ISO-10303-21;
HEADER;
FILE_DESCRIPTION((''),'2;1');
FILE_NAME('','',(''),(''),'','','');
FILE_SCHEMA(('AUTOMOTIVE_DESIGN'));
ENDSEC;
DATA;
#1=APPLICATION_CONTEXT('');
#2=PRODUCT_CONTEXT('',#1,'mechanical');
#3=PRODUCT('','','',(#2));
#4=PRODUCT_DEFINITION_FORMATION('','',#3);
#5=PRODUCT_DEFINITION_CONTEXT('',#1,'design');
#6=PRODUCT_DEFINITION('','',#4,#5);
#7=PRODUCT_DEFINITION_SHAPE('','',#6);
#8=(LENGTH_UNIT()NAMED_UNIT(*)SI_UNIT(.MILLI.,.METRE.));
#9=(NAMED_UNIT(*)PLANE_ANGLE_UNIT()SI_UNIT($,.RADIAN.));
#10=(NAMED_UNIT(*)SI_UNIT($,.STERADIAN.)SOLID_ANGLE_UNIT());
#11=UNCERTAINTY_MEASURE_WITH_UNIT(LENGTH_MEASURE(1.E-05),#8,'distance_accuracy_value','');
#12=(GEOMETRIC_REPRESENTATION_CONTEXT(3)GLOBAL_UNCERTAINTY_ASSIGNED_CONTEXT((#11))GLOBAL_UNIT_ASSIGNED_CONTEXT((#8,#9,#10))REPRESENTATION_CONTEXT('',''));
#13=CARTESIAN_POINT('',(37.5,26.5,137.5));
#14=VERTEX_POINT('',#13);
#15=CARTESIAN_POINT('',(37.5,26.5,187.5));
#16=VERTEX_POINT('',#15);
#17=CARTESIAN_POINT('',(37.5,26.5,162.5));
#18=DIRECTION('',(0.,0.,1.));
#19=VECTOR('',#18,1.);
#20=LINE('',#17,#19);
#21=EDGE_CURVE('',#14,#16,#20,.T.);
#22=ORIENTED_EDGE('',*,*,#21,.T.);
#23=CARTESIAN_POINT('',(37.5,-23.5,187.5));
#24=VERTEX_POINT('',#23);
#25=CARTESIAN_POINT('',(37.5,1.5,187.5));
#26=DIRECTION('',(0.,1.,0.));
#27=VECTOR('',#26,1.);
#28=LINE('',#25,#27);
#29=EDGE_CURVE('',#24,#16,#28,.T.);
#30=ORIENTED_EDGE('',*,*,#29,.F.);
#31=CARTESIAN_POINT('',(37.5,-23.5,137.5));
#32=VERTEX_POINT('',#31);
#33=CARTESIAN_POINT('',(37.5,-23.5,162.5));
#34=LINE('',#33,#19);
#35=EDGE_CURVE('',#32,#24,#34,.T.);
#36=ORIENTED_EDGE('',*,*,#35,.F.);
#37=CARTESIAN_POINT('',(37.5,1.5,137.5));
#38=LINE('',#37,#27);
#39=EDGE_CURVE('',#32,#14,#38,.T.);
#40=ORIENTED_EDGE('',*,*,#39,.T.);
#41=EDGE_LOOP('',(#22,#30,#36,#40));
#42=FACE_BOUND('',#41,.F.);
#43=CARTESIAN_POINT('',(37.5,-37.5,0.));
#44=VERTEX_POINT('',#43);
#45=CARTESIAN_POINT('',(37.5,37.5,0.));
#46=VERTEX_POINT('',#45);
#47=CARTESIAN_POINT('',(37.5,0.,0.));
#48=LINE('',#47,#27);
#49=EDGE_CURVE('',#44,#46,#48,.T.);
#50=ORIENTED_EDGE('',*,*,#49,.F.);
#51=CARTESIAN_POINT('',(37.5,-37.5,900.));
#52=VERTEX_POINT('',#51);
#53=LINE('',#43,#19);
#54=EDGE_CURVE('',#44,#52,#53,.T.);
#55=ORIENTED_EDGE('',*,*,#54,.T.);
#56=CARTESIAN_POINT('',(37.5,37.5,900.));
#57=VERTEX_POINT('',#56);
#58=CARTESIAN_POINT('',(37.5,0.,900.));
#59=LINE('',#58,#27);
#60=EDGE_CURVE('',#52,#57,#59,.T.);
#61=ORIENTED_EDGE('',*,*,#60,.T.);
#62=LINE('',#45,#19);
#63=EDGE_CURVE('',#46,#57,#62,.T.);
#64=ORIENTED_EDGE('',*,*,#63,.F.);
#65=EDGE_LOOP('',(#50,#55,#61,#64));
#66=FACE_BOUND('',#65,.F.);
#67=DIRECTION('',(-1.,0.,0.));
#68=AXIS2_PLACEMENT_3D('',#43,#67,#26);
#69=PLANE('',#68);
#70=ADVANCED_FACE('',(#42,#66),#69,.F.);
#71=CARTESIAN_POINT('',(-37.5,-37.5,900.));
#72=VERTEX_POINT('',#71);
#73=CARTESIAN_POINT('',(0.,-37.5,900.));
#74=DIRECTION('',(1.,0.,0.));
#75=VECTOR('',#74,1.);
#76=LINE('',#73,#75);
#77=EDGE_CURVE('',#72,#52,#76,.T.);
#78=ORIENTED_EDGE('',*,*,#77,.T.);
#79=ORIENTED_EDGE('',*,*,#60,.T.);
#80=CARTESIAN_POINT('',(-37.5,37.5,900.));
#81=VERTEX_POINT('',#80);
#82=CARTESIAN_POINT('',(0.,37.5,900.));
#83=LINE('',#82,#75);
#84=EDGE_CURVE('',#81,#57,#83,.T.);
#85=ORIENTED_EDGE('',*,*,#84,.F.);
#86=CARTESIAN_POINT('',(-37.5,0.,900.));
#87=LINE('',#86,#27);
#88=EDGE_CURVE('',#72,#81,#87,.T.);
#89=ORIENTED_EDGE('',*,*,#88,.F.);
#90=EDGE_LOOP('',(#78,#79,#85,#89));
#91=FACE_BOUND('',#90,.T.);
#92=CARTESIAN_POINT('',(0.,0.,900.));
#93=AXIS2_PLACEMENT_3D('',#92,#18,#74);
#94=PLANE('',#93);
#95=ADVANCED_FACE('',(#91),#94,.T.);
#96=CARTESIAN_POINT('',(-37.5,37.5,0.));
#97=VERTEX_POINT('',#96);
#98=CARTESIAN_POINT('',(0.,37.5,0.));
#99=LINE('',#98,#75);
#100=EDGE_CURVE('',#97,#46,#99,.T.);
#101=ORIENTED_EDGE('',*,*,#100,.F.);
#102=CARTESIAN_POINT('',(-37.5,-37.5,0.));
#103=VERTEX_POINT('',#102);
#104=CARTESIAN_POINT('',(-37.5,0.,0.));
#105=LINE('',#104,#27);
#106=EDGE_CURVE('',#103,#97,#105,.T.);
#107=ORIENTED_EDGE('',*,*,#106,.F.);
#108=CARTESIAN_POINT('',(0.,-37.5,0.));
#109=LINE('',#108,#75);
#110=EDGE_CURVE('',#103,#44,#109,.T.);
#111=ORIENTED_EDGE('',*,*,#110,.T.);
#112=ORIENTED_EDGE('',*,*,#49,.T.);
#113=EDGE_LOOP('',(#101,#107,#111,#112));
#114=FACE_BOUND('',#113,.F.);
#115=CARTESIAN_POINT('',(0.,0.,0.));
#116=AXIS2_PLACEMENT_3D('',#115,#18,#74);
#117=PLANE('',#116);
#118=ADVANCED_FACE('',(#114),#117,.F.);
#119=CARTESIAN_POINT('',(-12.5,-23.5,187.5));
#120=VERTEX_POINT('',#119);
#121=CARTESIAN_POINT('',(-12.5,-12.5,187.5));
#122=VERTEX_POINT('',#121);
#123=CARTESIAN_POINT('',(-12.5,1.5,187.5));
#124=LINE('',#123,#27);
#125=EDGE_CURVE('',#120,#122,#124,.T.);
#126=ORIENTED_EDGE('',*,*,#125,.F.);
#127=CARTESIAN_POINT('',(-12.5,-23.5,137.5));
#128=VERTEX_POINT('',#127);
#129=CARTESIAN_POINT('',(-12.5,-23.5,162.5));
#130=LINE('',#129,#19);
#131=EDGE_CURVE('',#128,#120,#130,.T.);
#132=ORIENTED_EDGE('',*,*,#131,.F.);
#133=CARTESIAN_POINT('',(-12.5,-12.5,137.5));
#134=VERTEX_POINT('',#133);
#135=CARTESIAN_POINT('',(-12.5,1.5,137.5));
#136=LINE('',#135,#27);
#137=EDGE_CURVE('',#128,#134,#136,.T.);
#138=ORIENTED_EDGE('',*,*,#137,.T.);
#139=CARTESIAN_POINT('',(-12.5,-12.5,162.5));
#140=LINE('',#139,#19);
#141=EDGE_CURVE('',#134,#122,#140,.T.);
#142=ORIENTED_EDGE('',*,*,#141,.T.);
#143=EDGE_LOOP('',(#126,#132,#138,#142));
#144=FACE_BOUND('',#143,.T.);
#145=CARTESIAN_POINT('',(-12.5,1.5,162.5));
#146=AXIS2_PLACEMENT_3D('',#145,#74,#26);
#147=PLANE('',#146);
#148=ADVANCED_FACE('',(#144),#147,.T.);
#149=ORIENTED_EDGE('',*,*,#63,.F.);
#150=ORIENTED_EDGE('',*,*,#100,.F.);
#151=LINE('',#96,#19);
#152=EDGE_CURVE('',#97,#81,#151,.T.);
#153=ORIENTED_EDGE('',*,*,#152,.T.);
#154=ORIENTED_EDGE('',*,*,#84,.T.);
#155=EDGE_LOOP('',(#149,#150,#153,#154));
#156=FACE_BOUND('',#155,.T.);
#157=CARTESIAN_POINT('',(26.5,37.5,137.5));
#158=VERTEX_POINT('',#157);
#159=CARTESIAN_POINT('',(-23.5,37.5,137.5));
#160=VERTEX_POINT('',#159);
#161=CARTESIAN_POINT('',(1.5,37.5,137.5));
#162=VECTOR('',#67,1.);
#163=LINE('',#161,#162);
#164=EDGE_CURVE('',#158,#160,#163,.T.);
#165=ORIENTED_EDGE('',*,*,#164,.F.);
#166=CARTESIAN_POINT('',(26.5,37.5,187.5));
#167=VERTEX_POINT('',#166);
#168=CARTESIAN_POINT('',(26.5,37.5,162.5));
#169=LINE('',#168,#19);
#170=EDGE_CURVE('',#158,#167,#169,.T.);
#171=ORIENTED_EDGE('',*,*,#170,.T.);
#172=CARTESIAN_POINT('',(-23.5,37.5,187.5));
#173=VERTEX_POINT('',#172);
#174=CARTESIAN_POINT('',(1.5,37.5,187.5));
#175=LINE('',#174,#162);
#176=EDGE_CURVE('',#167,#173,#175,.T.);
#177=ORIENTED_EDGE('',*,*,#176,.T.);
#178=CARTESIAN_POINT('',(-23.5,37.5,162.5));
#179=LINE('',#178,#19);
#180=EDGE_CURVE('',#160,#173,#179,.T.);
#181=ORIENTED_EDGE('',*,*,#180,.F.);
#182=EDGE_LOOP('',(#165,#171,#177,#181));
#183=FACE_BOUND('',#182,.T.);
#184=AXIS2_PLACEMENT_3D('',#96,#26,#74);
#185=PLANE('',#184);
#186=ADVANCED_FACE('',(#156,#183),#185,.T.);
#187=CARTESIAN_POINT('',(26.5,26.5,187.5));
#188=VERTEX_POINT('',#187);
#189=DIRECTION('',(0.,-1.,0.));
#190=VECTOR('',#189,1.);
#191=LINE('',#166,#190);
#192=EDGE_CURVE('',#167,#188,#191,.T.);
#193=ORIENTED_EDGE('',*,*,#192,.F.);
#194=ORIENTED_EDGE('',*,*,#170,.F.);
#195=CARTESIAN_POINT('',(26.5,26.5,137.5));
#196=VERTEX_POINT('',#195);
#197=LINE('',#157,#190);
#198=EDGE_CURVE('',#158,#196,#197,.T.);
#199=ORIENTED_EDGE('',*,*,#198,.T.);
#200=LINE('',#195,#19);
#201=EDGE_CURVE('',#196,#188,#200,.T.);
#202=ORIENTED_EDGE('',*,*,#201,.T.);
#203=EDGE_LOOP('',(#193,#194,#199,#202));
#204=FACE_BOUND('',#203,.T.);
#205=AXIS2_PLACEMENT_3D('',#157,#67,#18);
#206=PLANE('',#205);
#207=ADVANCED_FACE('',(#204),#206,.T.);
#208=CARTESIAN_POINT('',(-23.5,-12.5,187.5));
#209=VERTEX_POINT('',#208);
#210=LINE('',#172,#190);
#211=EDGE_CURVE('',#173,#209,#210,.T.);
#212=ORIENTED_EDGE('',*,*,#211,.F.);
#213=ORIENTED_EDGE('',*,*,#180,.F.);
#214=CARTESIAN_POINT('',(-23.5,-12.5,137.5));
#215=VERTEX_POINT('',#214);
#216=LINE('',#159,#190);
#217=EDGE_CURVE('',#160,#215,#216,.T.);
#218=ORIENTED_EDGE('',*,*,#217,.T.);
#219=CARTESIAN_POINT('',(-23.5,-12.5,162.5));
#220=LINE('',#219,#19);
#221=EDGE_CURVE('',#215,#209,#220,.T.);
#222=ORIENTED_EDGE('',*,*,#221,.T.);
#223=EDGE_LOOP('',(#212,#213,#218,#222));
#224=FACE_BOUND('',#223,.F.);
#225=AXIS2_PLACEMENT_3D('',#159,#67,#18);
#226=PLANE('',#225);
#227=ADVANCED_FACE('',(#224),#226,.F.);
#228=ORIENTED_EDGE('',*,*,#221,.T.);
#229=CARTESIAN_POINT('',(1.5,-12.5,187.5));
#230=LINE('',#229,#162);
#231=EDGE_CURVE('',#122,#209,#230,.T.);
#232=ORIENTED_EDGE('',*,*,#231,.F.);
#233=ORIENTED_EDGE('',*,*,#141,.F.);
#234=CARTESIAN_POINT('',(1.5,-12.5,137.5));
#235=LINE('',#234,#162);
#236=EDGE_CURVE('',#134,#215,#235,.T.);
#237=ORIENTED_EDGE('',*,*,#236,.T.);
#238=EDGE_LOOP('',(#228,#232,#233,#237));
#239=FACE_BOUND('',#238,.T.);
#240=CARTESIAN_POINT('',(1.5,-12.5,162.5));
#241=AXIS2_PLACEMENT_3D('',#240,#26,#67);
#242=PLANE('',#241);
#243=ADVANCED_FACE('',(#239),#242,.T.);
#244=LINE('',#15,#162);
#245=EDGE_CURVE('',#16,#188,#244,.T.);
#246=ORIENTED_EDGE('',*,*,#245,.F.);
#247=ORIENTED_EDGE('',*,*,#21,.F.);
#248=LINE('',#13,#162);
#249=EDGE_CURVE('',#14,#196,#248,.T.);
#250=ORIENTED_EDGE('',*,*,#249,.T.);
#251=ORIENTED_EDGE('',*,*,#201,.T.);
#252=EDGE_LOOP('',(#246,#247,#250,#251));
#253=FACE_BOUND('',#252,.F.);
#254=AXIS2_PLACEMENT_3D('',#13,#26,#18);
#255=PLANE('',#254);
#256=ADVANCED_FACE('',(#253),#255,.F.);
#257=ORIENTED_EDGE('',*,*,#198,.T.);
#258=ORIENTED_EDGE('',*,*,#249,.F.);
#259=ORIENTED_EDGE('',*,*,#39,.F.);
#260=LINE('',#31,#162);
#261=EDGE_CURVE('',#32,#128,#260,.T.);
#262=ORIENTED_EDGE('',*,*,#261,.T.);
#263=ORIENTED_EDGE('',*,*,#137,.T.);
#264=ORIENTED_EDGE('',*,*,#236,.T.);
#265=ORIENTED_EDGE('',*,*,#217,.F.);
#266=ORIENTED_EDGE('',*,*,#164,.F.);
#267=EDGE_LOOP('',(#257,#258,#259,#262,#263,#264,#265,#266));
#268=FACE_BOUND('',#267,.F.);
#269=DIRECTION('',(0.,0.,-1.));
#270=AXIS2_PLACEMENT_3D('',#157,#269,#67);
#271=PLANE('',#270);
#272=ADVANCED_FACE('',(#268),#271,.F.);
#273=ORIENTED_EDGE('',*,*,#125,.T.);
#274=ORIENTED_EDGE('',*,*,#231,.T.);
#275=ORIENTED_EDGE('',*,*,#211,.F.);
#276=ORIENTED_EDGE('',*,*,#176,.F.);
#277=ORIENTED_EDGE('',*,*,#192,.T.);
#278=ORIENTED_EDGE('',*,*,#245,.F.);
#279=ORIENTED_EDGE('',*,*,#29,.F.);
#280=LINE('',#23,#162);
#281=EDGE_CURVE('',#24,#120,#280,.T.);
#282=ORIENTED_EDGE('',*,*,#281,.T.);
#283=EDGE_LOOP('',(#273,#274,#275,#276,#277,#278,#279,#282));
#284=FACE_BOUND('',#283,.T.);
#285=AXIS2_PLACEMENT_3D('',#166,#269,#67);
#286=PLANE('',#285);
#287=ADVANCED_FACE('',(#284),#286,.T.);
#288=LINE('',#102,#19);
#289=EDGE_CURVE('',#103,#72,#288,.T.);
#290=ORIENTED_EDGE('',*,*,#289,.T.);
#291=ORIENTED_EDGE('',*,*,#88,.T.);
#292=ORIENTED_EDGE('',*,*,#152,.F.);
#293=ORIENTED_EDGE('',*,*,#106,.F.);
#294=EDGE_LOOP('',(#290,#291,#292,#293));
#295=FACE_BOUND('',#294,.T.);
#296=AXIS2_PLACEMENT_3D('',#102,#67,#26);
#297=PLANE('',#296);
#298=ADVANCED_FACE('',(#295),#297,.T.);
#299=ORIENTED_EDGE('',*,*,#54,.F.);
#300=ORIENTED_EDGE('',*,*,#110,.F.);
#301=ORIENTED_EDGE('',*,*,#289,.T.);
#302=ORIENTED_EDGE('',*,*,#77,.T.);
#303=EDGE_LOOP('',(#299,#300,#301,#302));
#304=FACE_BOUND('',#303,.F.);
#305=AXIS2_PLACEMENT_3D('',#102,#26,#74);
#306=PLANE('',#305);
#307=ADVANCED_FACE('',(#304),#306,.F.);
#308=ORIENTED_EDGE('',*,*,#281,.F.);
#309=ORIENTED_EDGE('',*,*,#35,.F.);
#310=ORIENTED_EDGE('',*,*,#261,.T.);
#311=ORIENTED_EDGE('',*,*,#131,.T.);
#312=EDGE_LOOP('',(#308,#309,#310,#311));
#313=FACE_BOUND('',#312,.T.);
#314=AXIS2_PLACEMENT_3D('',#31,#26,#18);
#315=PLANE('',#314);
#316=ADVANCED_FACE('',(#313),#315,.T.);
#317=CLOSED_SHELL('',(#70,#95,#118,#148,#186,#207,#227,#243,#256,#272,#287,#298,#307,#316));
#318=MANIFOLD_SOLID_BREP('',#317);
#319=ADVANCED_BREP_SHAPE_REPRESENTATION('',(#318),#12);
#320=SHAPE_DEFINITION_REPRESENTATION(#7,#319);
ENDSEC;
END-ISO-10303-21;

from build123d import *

# Parameters (mm, degrees)
F0_W     = 75
F0_H     = 75
F1_DEPTH = 900
F2_W     = 50
F2_H     = 50
F3_DEPTH = 50
F5_W     = 50
F5_H     = 50
F6_DEPTH = 50


with BuildPart() as f1:
    # F0 (on Top) → F1 (new body)
    with BuildSketch(Plane.XY):
        Rectangle(F0_W, F0_H)
    extrude(amount=F1_DEPTH)

    # F2 (on face) → F3 (cut)
    with BuildSketch(Plane.YZ.offset(37.5)):
        with Locations((1.5, 162.5)):
            Rectangle(F2_W, F2_H)
    extrude(amount=-F3_DEPTH, mode=Mode.SUBTRACT)

    # F5 (on face) → F6 (cut)
    with BuildSketch(Plane(origin=(0, 37.5, 0), x_dir=(-1, 0, 0), z_dir=(0, 1, 0))):
        with Locations((-1.5, 162.5)):
            Rectangle(F5_W, F5_H)
    extrude(amount=-F6_DEPTH, mode=Mode.SUBTRACT)


solid = f1.part
